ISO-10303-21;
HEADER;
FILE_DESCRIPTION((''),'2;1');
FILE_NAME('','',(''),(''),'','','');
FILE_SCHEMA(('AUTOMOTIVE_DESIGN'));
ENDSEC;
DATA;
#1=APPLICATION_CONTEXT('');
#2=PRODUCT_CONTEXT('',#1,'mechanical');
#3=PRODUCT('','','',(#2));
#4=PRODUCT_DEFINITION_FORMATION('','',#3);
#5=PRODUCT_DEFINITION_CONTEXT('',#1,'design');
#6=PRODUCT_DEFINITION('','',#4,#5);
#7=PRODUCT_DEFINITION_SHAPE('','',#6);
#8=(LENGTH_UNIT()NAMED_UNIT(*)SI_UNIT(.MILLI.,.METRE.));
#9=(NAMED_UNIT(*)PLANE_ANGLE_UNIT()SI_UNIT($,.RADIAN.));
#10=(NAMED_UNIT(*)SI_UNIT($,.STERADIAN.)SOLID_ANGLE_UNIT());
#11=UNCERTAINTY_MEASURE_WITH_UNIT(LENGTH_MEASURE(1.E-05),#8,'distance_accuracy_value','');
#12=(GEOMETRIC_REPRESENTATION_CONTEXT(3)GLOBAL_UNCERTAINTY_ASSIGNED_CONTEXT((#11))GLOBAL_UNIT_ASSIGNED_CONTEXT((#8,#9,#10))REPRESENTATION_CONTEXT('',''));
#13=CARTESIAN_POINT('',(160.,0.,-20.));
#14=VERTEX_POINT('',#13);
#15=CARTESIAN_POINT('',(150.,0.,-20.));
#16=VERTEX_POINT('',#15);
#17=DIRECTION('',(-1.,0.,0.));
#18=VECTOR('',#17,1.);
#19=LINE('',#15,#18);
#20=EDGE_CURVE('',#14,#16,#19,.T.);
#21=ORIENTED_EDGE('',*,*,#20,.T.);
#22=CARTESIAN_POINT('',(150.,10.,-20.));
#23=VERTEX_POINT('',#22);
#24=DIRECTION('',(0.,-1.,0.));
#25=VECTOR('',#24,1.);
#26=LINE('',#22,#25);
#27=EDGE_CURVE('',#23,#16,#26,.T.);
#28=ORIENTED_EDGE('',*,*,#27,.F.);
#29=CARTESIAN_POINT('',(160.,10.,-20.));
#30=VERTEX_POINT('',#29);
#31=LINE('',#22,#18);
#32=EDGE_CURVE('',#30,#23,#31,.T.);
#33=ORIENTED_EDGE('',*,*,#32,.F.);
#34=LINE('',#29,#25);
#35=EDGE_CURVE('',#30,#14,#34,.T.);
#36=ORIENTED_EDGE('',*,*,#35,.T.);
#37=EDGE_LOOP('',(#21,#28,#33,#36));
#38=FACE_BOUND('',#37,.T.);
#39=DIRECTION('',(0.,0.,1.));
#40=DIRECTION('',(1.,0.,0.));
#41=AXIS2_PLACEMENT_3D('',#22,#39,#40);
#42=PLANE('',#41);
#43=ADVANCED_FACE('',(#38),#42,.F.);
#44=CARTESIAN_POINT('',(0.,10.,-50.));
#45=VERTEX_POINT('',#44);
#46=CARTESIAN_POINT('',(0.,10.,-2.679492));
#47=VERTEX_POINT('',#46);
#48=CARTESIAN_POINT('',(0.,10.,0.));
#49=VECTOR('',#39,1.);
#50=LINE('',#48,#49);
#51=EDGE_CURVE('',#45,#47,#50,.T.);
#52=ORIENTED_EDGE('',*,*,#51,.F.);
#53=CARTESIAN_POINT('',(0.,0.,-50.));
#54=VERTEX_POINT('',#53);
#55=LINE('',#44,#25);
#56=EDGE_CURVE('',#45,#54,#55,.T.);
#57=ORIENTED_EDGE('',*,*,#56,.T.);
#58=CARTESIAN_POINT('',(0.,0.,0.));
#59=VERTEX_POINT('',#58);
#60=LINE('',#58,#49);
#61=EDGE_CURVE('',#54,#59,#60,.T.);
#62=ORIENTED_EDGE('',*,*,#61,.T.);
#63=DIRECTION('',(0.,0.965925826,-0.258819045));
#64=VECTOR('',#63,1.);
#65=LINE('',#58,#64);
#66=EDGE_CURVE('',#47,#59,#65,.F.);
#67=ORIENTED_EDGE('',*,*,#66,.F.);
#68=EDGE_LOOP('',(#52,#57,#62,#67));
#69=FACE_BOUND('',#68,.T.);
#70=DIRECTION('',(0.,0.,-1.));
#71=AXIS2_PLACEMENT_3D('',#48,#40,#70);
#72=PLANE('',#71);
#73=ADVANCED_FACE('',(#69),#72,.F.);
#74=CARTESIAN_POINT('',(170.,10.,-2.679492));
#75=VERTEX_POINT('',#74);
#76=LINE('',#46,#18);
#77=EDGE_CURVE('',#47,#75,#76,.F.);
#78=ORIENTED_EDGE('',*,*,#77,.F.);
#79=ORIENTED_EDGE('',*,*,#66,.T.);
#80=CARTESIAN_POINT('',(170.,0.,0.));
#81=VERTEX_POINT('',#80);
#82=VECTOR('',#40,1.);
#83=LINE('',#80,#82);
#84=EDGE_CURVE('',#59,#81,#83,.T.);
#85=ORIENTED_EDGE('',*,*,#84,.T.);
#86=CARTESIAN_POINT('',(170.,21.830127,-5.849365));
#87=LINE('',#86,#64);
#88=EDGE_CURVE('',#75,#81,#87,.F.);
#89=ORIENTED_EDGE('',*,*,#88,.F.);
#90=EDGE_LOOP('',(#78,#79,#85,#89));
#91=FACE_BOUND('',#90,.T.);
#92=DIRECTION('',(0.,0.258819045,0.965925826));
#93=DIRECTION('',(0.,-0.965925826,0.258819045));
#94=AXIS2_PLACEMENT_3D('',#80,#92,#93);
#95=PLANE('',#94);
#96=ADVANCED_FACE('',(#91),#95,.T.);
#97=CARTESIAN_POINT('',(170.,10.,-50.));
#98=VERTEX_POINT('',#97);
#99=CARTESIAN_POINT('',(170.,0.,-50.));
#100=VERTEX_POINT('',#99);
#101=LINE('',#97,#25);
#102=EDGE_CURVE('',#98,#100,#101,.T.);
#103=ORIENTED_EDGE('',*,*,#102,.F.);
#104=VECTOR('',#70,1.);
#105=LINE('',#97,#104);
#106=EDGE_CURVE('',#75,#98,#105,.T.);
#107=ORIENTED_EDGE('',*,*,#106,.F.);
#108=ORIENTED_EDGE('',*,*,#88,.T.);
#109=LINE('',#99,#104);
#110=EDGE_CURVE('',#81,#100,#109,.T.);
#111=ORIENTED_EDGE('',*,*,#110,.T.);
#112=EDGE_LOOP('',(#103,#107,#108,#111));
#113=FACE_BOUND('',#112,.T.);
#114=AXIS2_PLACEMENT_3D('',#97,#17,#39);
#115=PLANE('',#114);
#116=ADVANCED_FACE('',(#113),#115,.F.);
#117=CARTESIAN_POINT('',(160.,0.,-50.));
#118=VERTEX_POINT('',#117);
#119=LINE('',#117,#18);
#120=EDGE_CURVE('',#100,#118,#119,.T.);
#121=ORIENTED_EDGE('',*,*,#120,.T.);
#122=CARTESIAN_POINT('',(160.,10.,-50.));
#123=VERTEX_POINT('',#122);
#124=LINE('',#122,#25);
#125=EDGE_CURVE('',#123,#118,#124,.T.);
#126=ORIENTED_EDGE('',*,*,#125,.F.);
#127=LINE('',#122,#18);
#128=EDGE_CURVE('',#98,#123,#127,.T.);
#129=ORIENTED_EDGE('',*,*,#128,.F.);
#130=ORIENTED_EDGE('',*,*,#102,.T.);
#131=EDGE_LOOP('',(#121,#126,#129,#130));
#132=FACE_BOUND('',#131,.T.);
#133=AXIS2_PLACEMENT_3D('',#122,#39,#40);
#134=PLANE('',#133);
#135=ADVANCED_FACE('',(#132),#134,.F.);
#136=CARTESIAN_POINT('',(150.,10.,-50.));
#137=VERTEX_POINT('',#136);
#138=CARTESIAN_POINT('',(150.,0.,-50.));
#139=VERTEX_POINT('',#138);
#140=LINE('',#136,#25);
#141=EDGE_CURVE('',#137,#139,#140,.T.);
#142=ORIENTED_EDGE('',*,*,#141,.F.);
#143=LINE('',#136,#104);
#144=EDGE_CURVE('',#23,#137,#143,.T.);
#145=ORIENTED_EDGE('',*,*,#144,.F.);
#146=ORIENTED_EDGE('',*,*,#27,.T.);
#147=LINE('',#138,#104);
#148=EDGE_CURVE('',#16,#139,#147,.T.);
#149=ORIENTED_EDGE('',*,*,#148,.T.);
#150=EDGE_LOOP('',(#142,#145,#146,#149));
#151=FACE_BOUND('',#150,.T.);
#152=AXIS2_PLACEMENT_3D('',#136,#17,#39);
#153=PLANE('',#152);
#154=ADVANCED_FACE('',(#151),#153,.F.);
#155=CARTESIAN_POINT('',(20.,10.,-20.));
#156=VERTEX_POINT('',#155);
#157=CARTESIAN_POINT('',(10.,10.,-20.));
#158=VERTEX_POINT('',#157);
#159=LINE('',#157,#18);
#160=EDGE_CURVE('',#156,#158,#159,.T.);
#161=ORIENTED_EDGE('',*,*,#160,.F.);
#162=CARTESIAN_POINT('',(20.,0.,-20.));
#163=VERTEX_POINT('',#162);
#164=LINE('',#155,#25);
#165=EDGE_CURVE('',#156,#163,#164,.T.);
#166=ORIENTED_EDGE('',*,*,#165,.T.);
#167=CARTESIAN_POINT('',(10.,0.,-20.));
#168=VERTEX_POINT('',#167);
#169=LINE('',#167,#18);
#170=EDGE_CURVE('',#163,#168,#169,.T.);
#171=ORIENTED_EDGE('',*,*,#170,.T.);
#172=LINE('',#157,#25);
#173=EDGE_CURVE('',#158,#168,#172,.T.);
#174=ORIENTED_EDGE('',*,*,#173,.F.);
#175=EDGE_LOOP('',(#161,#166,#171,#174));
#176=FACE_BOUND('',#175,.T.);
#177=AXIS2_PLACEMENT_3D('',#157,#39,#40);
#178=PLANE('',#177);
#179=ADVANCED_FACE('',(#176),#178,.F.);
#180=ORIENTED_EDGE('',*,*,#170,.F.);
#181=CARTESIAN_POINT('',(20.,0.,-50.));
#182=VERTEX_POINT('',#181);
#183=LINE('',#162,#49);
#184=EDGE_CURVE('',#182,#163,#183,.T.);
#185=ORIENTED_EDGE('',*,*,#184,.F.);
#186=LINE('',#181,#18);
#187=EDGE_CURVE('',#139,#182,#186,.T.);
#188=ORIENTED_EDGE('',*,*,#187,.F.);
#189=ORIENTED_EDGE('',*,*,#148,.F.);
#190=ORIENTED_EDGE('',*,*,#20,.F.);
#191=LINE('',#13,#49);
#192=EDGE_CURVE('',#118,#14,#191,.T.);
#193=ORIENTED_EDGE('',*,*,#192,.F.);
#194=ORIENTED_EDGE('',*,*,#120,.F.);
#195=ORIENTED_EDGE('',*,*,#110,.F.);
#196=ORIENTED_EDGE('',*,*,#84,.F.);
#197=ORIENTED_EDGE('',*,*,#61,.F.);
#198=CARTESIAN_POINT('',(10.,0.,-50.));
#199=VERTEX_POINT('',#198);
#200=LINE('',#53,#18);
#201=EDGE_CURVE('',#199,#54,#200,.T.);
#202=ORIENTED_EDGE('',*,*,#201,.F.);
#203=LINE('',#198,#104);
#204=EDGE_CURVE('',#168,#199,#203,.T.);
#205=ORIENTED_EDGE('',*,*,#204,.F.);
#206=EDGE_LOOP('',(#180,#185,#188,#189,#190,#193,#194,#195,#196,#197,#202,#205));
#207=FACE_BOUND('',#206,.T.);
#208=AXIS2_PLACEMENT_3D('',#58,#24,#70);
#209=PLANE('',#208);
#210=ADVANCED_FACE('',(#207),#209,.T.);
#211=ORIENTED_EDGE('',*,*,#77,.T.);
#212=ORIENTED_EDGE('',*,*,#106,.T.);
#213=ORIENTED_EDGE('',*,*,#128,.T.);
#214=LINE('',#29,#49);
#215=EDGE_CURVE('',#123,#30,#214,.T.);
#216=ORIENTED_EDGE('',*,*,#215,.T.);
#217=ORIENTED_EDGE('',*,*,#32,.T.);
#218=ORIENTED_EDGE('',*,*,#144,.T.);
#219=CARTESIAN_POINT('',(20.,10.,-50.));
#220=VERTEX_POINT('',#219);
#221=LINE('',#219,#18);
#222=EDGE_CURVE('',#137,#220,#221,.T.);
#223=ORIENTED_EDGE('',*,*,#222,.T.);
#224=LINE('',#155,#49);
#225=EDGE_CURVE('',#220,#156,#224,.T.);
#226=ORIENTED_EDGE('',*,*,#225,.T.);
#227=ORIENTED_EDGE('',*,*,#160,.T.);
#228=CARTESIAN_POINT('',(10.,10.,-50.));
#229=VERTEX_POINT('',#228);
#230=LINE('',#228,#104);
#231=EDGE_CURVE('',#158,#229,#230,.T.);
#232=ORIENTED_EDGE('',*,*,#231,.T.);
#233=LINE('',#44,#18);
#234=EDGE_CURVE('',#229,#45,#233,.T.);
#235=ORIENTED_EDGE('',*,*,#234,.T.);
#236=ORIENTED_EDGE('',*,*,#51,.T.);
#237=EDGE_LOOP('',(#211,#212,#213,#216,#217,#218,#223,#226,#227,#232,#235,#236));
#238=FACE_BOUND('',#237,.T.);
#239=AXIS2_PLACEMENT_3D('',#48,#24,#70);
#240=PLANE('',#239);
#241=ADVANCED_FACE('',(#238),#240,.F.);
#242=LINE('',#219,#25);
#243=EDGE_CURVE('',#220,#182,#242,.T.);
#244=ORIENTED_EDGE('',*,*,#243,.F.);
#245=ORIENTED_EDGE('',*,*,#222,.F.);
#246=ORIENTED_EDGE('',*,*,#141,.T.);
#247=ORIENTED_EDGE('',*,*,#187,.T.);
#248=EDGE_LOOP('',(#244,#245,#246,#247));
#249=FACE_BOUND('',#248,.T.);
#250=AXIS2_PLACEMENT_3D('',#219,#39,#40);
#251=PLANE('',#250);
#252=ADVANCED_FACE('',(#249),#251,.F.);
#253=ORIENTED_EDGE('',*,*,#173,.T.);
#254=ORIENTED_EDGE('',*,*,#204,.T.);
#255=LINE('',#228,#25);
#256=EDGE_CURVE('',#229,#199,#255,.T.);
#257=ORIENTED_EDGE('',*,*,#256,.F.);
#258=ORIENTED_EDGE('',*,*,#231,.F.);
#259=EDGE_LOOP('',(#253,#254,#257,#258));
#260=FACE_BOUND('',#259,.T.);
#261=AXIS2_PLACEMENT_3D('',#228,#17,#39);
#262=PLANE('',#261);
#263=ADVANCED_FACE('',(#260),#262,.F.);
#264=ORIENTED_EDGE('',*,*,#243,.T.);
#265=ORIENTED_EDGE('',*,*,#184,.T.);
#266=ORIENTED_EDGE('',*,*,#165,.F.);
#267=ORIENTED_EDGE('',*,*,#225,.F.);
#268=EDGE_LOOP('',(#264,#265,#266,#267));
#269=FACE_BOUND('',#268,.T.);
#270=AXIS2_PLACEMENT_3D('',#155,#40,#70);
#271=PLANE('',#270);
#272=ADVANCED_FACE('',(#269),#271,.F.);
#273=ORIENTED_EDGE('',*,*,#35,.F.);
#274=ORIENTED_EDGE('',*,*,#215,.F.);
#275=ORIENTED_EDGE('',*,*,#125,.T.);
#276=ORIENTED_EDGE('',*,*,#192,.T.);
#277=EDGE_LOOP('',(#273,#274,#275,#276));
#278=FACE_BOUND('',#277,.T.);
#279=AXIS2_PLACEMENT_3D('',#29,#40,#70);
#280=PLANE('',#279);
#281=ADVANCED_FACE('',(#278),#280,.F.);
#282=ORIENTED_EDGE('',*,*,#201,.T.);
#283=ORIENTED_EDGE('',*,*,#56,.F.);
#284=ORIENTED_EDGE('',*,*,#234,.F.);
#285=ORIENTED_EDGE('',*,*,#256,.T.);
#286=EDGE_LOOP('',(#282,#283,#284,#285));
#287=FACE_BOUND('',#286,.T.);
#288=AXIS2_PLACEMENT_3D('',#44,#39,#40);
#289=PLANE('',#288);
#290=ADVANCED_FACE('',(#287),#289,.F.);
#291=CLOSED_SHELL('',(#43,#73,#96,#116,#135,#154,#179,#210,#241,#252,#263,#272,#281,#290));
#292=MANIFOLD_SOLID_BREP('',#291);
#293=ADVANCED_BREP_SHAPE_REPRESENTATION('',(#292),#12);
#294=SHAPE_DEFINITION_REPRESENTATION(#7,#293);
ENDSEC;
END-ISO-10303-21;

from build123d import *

# Parameters (mm, degrees)
BOSS_EXTRUDE1_DEPTH = 10
DRAFT1_ANGLE        = -15


with BuildPart() as part:
    # Sketch1 → Boss-Extrude1 (new body)
    with BuildSketch(Plane(origin=(0, 0, 0), x_dir=(1, 0, 0), z_dir=(0, 1, 0))):
        Polygon((0, 0), (0, 50), (10, 50), (10, 20), (20, 20), (20, 50), (150, 50), (150, 20), (160, 20), (160, 50), (170, 50), (170, 0), align=None)
    extrude(amount=BOSS_EXTRUDE1_DEPTH)

    # Draft1
    draft1_faces = [part.faces().sort_by_distance(p)[0] for p in [
        (85, 5, 0),
    ]]
    draft(draft1_faces, Plane(origin=(0, 0, 0), x_dir=(0, 0, -1), z_dir=(0, -1, 0)), DRAFT1_ANGLE)


solid = part.part
